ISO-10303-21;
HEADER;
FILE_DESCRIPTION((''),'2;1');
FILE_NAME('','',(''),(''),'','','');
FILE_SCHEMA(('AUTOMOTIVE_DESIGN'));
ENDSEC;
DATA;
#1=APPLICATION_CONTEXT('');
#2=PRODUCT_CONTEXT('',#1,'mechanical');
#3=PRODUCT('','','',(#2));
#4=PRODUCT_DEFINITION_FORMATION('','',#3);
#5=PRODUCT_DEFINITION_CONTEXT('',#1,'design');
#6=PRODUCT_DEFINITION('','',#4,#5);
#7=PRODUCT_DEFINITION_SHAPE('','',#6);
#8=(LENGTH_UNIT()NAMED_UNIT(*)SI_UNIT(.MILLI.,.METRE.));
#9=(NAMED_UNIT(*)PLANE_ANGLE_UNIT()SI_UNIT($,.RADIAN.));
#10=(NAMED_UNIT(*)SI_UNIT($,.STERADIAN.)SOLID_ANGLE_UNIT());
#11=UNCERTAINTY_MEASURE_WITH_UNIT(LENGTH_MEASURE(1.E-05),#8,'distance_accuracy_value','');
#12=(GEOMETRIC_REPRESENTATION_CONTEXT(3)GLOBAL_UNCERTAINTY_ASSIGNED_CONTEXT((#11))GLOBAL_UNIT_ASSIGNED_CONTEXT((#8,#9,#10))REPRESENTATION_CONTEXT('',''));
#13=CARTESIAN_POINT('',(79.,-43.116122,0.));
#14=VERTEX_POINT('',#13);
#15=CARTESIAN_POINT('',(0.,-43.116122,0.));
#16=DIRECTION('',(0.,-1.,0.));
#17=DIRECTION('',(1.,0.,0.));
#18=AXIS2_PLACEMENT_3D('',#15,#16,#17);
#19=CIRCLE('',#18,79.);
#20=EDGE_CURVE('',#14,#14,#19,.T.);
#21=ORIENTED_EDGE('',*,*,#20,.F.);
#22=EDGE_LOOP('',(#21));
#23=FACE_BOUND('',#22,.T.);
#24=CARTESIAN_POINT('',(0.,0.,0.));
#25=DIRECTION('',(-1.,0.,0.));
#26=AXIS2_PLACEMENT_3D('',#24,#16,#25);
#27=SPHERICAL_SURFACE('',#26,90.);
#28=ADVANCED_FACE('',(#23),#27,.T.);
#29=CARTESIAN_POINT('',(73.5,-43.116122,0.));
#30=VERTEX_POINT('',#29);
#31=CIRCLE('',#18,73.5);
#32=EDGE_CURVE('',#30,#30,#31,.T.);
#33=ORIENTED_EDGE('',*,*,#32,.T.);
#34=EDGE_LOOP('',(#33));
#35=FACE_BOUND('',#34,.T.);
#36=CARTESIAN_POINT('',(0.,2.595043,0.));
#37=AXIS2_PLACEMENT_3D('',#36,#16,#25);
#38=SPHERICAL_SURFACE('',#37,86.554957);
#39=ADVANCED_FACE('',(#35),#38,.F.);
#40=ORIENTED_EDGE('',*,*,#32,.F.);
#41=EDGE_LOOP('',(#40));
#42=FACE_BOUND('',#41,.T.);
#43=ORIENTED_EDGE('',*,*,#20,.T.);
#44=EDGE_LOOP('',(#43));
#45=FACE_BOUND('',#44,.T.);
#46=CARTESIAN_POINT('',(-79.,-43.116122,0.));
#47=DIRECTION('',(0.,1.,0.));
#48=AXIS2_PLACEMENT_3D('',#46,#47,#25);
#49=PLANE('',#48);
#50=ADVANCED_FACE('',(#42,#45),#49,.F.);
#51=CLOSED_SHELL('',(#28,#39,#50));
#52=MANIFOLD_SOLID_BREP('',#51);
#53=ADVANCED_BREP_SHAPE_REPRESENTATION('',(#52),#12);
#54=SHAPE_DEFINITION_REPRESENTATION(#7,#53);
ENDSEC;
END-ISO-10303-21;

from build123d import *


with BuildPart() as part:
    # Sketch1 → Revolve3 (revolve)
    with BuildSketch(Plane.XY):
        with BuildLine():
            Line((-79, -43.116122275), (-73.5, -43.116122275))
            ThreePointArc((-73.5, -43.116122275), (-75.658074753, 44.638072417), (0, 89.15))
            Line((0, 89.15), (0, 90))
            ThreePointArc((0, 90), (-77.396547096, 45.932281651), (-79, -43.116122275))
        make_face()
    revolve(axis=Axis((0, 0, 0), (0, 1, 0)))


solid = part.part
